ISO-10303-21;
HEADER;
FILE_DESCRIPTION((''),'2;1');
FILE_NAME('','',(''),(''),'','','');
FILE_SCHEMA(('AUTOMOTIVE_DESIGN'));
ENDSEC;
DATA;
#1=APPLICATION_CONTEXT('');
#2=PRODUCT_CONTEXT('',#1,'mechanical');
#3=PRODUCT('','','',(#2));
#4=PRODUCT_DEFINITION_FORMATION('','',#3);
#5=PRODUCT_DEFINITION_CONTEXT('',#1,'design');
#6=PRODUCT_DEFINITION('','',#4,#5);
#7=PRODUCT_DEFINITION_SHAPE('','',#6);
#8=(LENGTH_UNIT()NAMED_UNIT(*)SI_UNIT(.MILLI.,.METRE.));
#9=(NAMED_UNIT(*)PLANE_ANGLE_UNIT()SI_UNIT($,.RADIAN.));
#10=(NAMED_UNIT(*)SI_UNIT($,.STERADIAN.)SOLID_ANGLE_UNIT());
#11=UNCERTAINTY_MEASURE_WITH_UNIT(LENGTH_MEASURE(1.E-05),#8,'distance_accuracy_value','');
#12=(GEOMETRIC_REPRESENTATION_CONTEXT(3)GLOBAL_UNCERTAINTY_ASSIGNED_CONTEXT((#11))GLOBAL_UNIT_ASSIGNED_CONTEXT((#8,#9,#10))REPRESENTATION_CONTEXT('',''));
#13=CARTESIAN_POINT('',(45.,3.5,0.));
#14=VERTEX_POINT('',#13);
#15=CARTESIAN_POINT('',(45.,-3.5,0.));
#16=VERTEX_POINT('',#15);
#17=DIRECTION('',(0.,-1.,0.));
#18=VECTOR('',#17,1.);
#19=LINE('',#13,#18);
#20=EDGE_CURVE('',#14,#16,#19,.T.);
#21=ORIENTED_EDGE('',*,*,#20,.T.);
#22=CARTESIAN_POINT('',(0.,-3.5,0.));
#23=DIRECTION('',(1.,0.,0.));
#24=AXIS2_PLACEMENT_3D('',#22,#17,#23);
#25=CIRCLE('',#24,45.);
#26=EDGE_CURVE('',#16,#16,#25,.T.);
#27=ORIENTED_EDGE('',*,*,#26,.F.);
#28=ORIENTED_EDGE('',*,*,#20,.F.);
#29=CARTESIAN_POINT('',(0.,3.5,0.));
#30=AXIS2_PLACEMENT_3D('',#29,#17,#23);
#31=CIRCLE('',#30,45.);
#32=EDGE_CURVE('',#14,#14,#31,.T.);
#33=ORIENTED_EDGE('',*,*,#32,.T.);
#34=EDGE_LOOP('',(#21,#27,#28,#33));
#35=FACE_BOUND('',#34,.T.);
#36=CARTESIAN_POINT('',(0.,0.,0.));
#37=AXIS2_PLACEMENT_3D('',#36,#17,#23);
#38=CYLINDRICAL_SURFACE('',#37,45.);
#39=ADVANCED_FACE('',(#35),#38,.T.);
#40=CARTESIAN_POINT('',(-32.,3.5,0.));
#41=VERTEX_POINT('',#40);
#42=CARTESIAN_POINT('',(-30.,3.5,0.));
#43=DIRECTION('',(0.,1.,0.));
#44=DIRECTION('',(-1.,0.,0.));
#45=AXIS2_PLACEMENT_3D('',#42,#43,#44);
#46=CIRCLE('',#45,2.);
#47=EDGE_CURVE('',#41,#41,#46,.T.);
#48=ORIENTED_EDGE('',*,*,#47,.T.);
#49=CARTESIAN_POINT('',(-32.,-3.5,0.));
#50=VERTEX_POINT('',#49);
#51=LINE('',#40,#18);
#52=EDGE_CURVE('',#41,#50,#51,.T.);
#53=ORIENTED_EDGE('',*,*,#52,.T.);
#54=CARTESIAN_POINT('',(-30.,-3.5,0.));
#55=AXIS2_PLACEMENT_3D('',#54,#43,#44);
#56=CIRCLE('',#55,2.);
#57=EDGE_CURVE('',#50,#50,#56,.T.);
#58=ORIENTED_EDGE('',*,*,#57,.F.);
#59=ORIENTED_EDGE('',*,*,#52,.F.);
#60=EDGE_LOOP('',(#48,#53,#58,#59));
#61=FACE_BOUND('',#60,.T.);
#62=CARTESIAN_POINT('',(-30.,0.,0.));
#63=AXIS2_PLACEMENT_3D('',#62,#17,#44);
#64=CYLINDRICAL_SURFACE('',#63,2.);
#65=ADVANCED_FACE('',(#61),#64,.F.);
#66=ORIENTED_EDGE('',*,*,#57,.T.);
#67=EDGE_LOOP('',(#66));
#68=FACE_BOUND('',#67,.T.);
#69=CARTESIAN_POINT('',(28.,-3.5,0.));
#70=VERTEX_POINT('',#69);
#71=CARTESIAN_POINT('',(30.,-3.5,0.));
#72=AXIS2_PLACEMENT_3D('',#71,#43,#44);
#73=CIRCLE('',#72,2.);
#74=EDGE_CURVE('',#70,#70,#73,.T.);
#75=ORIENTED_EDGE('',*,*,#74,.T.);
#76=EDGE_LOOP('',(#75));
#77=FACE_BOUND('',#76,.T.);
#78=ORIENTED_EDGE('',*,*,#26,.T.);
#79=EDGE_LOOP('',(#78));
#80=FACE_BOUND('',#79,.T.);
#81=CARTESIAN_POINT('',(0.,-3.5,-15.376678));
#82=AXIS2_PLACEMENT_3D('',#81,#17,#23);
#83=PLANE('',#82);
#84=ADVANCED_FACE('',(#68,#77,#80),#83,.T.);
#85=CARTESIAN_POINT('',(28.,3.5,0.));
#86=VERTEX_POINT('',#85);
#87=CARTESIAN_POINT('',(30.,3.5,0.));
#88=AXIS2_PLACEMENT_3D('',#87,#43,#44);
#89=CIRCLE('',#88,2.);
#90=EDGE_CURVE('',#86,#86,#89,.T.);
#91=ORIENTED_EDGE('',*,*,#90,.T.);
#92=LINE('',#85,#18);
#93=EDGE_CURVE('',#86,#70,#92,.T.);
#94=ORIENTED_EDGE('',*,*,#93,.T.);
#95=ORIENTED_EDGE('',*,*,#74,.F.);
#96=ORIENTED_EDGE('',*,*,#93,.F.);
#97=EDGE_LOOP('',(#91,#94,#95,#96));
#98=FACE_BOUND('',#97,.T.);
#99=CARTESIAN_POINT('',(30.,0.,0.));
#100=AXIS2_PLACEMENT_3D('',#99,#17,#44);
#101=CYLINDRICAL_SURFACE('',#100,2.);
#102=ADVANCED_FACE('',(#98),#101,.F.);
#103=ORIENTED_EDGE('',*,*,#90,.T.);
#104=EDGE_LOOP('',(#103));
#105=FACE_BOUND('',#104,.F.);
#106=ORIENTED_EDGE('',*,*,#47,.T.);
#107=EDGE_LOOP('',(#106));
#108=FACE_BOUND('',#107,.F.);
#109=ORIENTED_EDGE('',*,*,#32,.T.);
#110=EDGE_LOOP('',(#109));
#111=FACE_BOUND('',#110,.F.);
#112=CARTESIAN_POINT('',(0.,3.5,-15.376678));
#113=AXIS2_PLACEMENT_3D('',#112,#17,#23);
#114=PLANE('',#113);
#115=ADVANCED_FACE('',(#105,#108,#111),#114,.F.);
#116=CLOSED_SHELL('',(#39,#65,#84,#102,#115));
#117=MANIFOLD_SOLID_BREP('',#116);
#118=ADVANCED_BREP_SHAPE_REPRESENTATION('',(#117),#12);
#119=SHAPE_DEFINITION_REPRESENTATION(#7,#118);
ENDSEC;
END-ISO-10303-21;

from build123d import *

# Parameters (mm, degrees)
F1_DEPTH = 3.5


with BuildPart() as f1:
    # F0 (on Front) → F1 (new body, symmetric)
    with BuildSketch(Plane.XZ):
        with BuildLine():
            ThreePointArc((-45, 0), (0, -45), (45, 0))
            Line((45, 0), (32, 0))
            ThreePointArc((32, 0), (30, -2), (28, 0))
            Line((28, 0), (-28, 0))
            ThreePointArc((-28, 0), (-30, -2), (-32, 0))
            Line((-32, 0), (-45, 0))
        make_face()
        with BuildLine():
            Line((32, 0), (45, 0))
            ThreePointArc((45, 0), (0, 45), (-45, 0))
            Line((-45, 0), (-32, 0))
            ThreePointArc((-32, 0), (-30, 2), (-28, 0))
            Line((-28, 0), (28, 0))
            ThreePointArc((28, 0), (30, 2), (32, 0))
        make_face()
    extrude(amount=F1_DEPTH, both=True)


solid = f1.part
